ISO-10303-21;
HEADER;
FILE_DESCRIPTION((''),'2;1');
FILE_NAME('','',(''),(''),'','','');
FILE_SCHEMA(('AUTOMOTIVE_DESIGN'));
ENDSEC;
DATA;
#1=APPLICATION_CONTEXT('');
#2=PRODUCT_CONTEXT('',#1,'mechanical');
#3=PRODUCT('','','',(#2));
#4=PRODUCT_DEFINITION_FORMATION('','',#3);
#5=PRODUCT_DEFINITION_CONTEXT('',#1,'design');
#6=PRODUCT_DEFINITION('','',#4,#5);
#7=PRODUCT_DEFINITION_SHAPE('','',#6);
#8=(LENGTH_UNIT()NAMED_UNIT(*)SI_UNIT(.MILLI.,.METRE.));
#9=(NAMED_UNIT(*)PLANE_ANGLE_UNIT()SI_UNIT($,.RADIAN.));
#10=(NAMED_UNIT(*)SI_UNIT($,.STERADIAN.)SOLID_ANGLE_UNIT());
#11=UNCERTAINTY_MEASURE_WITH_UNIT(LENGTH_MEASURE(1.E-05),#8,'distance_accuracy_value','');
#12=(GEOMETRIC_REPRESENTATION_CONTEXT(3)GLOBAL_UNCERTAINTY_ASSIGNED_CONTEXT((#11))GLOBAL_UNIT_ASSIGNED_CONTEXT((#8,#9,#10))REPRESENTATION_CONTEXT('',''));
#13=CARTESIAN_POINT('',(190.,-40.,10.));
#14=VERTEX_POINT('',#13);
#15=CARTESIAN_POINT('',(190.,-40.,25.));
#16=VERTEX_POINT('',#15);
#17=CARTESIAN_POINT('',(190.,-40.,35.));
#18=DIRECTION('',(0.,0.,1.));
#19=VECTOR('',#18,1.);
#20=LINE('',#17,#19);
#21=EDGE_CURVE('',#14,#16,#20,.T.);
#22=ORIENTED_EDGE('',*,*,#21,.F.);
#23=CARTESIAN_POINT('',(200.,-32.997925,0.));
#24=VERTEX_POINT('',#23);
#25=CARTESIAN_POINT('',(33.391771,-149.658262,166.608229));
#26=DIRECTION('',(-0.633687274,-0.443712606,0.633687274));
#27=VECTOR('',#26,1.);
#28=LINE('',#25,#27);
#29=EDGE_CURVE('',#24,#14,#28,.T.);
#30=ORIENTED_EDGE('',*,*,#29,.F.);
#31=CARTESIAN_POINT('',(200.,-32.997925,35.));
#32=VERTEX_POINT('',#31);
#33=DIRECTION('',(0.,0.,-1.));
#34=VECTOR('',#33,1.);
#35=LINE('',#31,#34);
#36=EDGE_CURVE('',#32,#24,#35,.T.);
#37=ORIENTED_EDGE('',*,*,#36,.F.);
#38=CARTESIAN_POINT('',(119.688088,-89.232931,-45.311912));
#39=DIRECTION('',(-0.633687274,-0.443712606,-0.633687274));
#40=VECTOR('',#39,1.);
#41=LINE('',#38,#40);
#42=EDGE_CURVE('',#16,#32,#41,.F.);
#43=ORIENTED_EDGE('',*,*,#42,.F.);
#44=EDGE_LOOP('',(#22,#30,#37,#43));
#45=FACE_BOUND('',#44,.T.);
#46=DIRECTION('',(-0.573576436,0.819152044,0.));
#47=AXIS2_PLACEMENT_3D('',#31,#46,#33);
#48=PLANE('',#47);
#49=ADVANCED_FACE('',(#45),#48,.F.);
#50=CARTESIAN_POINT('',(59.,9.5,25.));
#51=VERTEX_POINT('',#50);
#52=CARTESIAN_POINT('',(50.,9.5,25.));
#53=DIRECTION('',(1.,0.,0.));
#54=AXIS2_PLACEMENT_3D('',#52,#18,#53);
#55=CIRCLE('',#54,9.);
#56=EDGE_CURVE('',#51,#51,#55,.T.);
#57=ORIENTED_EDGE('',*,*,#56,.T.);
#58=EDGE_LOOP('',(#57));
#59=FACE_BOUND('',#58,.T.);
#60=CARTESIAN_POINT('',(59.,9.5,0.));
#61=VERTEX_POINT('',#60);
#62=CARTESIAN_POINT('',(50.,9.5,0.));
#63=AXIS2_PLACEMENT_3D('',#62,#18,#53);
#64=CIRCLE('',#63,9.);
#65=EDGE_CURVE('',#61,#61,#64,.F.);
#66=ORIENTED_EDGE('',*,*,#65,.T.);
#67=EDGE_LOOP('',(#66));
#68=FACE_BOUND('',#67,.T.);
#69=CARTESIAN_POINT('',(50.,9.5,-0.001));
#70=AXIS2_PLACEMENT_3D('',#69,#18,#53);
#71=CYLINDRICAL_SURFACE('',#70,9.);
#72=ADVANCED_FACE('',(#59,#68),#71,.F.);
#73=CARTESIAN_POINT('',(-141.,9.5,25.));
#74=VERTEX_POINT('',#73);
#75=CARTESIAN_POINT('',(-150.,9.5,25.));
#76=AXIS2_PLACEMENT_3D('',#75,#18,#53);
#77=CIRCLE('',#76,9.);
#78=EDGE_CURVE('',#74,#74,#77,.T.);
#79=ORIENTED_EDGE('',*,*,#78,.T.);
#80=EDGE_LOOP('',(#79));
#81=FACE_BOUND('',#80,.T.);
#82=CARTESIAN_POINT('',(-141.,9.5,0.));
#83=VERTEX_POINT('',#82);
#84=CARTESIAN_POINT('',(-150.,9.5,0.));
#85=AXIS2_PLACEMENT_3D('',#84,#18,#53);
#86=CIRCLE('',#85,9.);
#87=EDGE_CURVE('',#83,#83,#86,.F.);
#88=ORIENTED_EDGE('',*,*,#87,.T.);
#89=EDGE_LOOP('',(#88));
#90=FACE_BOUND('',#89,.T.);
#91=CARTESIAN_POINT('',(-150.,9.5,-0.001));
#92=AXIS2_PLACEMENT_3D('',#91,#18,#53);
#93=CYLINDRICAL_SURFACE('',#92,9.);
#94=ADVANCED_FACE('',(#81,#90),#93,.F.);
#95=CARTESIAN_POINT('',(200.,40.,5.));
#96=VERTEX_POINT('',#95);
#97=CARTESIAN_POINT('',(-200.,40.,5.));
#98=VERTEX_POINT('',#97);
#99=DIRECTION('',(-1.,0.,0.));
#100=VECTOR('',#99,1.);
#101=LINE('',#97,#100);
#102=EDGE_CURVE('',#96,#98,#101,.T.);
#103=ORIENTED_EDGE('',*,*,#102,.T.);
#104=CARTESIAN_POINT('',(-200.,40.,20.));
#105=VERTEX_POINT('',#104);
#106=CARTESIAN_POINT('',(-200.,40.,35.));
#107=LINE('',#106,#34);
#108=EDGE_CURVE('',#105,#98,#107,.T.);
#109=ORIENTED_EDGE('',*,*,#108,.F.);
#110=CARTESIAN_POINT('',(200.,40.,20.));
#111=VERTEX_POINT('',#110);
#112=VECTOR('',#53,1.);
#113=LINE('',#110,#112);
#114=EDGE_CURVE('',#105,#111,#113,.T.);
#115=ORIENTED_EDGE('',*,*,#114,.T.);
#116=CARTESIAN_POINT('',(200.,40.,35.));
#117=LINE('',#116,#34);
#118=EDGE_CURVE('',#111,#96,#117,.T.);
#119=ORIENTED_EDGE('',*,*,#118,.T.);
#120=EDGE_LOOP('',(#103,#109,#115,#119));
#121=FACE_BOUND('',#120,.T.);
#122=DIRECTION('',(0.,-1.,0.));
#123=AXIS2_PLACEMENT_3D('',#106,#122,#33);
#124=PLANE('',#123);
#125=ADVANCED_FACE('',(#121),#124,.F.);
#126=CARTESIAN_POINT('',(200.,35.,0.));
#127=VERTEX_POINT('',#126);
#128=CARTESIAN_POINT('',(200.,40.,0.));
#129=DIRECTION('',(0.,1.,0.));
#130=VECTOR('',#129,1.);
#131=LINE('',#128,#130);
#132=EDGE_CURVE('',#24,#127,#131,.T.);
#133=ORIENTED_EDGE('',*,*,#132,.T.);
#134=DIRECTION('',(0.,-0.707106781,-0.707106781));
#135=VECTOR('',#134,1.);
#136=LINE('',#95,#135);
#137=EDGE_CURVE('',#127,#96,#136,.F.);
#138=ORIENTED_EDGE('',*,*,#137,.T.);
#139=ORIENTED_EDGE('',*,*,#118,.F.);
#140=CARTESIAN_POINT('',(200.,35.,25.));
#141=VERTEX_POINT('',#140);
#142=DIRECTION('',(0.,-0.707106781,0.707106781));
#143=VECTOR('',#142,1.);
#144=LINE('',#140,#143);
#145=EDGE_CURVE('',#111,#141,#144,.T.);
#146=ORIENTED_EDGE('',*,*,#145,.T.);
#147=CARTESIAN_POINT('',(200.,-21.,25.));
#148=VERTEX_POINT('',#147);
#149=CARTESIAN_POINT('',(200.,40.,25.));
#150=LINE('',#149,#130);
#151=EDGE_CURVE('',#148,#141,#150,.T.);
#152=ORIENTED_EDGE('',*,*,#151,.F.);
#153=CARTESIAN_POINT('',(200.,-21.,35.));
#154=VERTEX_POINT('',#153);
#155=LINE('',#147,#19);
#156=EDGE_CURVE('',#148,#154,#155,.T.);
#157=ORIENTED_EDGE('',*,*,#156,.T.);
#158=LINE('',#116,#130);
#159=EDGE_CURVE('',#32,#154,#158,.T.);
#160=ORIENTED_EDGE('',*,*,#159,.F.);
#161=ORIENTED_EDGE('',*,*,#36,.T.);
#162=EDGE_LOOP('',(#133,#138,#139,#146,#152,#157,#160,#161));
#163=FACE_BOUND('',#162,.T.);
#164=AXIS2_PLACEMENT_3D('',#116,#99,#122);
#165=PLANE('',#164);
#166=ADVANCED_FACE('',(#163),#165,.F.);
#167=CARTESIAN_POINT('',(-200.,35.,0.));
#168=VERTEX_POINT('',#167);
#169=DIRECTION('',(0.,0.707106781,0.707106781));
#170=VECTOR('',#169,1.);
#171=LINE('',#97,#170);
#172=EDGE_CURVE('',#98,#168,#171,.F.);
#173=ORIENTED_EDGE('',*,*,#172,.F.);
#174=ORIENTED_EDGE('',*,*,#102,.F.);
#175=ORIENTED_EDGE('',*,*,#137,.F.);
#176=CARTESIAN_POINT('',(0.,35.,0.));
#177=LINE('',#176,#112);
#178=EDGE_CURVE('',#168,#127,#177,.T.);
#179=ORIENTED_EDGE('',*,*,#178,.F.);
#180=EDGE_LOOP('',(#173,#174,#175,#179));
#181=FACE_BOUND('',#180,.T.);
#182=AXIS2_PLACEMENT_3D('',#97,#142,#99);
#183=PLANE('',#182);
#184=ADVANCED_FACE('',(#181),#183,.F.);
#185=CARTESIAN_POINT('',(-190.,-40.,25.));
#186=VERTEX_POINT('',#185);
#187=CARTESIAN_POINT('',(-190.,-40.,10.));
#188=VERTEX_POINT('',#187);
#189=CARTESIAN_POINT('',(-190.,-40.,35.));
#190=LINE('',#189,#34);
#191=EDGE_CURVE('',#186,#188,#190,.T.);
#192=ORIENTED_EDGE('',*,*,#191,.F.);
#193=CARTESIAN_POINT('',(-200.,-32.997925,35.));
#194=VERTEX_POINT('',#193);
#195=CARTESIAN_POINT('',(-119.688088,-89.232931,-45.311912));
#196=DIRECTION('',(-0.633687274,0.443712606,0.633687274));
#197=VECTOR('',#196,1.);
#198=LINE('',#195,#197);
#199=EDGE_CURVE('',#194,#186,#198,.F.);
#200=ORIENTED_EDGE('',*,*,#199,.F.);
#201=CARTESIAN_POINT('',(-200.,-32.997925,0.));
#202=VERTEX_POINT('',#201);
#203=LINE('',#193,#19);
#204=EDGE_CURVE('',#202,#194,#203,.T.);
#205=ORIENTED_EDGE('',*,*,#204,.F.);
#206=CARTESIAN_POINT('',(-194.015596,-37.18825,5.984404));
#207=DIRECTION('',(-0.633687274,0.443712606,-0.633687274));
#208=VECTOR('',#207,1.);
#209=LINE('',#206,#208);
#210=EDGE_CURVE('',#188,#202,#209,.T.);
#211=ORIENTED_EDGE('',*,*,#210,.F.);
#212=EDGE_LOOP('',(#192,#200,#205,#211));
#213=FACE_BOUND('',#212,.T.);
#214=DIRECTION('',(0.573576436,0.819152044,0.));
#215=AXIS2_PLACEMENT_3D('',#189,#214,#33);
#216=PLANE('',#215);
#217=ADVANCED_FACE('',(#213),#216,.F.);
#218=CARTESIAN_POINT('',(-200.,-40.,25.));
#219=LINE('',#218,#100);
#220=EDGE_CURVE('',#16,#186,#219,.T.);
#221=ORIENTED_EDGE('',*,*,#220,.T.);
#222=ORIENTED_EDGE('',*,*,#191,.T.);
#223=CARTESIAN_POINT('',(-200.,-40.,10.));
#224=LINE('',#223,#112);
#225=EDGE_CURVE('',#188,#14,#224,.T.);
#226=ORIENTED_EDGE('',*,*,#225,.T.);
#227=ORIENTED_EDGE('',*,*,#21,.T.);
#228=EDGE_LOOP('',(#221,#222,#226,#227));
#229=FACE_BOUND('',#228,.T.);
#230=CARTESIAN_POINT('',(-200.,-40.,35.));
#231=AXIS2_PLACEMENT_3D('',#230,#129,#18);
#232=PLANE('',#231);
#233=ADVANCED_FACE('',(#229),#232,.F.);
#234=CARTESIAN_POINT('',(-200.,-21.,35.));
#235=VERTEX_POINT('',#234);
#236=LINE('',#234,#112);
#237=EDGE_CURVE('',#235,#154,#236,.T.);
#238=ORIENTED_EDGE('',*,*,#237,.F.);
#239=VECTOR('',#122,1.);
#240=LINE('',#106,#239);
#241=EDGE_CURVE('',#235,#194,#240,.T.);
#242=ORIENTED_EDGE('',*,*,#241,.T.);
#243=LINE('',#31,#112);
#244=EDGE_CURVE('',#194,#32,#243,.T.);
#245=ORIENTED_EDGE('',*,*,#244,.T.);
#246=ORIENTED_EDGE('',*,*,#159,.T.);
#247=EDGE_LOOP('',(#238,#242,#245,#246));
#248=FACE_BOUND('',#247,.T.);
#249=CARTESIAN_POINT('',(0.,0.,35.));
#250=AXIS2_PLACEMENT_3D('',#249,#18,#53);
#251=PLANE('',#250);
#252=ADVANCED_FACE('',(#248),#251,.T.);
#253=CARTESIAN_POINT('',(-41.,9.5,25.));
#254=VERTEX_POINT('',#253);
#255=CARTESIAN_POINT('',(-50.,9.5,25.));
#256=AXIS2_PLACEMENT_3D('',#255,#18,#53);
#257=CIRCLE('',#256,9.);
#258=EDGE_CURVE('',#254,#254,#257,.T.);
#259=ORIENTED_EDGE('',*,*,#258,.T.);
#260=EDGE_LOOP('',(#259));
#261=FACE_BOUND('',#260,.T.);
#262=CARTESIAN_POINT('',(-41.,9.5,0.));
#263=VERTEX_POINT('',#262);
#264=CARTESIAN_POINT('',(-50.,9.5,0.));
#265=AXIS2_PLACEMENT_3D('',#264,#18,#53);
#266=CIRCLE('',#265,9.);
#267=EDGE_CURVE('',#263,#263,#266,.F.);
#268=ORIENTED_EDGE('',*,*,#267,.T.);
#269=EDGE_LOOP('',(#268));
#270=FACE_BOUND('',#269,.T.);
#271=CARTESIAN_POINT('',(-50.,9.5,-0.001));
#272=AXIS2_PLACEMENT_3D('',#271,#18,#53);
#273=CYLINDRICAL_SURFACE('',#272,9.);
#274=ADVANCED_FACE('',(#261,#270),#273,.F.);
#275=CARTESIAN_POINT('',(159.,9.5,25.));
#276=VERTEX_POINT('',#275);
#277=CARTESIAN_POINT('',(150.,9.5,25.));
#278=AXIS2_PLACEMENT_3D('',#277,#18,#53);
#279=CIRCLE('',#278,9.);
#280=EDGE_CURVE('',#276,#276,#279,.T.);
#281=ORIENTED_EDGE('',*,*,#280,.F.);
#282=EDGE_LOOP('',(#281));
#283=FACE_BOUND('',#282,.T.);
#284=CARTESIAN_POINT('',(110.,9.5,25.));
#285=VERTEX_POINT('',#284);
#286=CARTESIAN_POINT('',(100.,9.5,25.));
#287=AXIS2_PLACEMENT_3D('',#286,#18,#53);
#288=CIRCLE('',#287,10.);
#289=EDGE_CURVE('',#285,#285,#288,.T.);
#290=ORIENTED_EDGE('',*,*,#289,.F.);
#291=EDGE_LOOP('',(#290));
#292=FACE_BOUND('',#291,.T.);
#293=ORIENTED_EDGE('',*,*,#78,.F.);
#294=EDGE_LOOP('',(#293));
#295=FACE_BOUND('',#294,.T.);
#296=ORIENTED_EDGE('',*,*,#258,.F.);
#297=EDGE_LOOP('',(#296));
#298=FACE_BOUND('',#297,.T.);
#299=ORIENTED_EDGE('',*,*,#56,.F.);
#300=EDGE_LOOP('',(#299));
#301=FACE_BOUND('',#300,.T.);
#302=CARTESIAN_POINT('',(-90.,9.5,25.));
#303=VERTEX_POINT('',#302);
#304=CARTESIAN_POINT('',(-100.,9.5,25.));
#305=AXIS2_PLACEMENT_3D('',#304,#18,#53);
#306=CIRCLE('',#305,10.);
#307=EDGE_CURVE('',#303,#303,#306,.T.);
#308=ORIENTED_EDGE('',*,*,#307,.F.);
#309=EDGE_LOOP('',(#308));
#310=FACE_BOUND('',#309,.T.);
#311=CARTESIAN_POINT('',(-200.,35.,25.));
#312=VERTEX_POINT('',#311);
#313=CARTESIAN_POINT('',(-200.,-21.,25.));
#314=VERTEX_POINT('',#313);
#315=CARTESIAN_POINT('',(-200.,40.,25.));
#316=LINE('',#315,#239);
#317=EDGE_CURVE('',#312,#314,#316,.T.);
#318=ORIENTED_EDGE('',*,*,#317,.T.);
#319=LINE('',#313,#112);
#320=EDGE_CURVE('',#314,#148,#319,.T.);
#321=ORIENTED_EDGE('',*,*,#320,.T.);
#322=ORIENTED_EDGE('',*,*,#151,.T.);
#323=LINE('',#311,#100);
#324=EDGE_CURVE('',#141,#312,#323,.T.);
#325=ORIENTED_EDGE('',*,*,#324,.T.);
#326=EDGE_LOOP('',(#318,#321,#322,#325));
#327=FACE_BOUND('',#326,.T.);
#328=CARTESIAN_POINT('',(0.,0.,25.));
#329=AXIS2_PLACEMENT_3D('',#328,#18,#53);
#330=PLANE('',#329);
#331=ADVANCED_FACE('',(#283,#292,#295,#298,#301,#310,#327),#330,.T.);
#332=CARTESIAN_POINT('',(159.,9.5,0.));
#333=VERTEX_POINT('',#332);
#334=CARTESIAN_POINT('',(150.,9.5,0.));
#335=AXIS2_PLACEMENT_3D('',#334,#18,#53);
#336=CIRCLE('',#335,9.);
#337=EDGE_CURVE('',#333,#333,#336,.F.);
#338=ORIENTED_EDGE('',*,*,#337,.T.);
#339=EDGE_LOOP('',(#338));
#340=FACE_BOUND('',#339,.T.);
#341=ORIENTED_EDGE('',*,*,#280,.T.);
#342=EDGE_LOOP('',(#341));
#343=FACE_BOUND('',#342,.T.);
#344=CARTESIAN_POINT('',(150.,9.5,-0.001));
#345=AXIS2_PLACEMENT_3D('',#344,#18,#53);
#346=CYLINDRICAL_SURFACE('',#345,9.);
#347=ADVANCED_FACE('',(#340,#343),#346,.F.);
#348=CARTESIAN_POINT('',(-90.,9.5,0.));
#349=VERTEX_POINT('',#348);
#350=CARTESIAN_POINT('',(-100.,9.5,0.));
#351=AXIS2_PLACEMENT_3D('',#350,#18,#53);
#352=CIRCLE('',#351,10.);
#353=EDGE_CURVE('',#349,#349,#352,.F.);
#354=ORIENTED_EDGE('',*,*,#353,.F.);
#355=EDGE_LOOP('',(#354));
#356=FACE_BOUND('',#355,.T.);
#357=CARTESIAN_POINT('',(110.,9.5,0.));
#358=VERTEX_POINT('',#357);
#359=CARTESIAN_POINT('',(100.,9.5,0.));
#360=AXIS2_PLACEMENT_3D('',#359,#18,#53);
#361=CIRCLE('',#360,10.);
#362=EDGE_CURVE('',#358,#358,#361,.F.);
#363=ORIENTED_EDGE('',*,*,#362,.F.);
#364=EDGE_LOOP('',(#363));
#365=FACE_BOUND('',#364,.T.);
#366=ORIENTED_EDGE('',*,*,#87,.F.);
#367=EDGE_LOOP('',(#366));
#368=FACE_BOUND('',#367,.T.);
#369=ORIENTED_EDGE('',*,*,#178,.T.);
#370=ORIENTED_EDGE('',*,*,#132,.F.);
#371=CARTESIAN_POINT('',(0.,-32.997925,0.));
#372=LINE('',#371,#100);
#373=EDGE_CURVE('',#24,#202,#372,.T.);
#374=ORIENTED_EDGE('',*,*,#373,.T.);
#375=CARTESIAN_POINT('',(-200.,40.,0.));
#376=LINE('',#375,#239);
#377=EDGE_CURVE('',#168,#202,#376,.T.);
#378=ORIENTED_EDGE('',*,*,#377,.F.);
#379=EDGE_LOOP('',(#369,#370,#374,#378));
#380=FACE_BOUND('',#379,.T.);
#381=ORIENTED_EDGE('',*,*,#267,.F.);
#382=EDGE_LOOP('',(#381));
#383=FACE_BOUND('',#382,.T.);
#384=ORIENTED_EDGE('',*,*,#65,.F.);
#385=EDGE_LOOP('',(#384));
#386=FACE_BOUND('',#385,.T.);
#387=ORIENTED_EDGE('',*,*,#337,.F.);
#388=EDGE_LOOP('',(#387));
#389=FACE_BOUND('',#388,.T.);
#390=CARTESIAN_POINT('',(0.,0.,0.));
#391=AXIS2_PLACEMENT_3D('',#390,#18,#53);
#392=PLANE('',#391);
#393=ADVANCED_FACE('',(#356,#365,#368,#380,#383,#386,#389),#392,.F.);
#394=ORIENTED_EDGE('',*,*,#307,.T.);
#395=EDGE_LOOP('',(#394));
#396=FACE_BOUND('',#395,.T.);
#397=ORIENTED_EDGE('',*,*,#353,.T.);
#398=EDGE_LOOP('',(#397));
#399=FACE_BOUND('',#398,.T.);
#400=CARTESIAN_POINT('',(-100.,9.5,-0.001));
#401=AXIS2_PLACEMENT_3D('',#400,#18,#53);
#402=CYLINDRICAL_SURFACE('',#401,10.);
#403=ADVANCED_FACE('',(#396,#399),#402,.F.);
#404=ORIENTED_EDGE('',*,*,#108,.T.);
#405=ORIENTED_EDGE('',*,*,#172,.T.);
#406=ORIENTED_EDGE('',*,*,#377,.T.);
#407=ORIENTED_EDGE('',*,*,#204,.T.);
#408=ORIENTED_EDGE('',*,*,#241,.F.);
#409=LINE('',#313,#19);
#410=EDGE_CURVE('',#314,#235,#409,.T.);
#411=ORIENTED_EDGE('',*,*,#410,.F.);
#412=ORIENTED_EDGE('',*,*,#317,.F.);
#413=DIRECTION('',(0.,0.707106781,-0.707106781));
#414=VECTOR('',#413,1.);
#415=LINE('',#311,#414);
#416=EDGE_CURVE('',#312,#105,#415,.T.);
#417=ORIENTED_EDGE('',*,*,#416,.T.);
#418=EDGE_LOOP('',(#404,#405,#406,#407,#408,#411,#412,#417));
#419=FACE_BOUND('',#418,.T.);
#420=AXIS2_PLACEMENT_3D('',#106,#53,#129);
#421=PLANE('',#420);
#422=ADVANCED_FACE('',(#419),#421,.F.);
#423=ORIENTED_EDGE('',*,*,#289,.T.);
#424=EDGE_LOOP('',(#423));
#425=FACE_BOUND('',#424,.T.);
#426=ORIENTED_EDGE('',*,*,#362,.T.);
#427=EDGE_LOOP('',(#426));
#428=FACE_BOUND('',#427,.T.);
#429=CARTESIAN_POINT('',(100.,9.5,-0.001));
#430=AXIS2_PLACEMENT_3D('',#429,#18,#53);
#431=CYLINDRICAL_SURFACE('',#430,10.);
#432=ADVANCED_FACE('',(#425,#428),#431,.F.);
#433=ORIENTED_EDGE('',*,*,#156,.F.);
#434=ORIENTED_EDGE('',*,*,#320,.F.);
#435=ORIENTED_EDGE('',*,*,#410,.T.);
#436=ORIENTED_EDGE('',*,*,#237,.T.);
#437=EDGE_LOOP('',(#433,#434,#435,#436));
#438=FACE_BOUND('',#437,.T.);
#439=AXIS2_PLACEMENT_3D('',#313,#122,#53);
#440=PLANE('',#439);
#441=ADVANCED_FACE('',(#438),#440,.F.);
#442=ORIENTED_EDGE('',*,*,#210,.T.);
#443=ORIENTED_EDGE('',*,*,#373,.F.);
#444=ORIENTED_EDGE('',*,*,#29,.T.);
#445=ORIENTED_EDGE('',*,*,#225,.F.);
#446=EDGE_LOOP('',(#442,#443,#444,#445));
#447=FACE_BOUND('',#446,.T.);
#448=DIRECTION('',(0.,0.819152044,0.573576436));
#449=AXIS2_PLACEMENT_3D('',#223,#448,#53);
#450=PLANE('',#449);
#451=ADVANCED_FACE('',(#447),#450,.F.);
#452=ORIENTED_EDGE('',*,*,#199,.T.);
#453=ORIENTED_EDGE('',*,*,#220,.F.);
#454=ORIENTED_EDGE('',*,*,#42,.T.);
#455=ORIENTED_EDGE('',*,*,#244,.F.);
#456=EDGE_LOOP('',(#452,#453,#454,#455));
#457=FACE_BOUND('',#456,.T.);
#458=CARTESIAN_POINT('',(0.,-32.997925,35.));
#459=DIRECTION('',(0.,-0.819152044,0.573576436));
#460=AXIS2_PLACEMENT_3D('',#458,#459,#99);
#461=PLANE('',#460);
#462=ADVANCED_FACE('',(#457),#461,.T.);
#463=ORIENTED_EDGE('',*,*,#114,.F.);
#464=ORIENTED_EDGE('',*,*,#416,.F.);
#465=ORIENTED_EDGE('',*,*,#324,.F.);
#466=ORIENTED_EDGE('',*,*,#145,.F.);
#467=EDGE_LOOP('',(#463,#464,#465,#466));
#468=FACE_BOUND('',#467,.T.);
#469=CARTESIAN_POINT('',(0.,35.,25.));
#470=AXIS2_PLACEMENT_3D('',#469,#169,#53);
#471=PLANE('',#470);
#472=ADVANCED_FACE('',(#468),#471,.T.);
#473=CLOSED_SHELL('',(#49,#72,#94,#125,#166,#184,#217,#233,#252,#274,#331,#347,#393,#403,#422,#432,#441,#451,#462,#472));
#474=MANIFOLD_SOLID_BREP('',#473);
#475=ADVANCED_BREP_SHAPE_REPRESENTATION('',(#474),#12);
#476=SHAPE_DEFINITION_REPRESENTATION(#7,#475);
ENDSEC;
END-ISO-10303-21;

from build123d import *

# Parameters (mm, degrees)
SKETCH_1_W          = 400
SKETCH_1_H          = 80
EXTRUDE_1_DEPTH     = 35
SKETCH_2_W          = 400
SKETCH_2_H          = 61
CUT_EXTRUDE_1_DEPTH = 10
CHAMFER_1_SIZE      = 5
CHAMFER_2_SIZE      = 10
CHAMFER_2_SIZE2     = 7.002075382
CHAMFER_3_SIZE      = 10
CHAMFER_3_SIZE2     = 7.002075382
CHAMFER_4_SIZE      = 10
CHAMFER_4_SIZE2     = 7.002075382
CHAMFER_5_SIZE      = 10
CHAMFER_5_SIZE2     = 7.002075382
CUT_EXTRUDE_2_REACH = 207.487
SKETCH_3_R          = 9
SKETCH_3_R_2        = 10


with BuildPart() as part:
    # 草图1 → 凸台-拉伸1 (new body)
    with BuildSketch(Plane.XY):
        Rectangle(SKETCH_1_W, SKETCH_1_H)
    extrude(amount=EXTRUDE_1_DEPTH)

    # 草图2 → 切除-拉伸1 (cut)
    with BuildSketch(Plane.XY.offset(35)):
        with Locations((0, 9.5)):
            Rectangle(SKETCH_2_W, SKETCH_2_H)
    extrude(amount=-CUT_EXTRUDE_1_DEPTH, mode=Mode.SUBTRACT)

    # 倒角1
    chamfer_1_edges = [part.edges().sort_by_distance(p)[0] for p in [
        (0, 40, 25),
        (0, 40, 0),
    ]]
    chamfer(chamfer_1_edges, length=CHAMFER_1_SIZE)

    # 倒角2
    chamfer_2_edges = [part.edges().sort_by_distance(p)[0] for p in [
        (0, -40, 35),
    ]]
    chamfer_2_side = [part.faces().sort_by_distance(p)[0] for p in [
        (0, -40, 17.5),
    ]]
    chamfer(chamfer_2_edges, length=CHAMFER_2_SIZE, length2=CHAMFER_2_SIZE2, reference=chamfer_2_side[0])

    # 倒角3
    chamfer_3_edges = [part.edges().sort_by_distance(p)[0] for p in [
        (0, -40, 0),
    ]]
    chamfer_3_side = [part.faces().sort_by_distance(p)[0] for p in [
        (0, -40, 12.5),
    ]]
    chamfer(chamfer_3_edges, length=CHAMFER_3_SIZE, length2=CHAMFER_3_SIZE2, reference=chamfer_3_side[0])

    # 倒角4
    chamfer_4_edges = [part.edges().sort_by_distance(p)[0] for p in [
        (-200, -40, 17.5),
    ]]
    chamfer_4_side = [part.faces().sort_by_distance(p)[0] for p in [
        (0, -40, 17.5),
    ]]
    chamfer(chamfer_4_edges, length=CHAMFER_4_SIZE, length2=CHAMFER_4_SIZE2, reference=chamfer_4_side[0])

    # 倒角5
    chamfer_5_edges = [part.edges().sort_by_distance(p)[0] for p in [
        (200, -40, 17.5),
    ]]
    chamfer_5_side = [part.faces().sort_by_distance(p)[0] for p in [
        (5, -40, 17.5),
    ]]
    chamfer(chamfer_5_edges, length=CHAMFER_5_SIZE, length2=CHAMFER_5_SIZE2, reference=chamfer_5_side[0])

    # 草图3 → 切除-拉伸2 (cut, up to next)
    with BuildSketch(Plane.XY.offset(25), mode=Mode.PRIVATE) as cut_extrude_2_sk1:
        with Locations((-150, 9.5)):
            Circle(SKETCH_3_R)
    cut_extrude_2_tool1 = extrude(cut_extrude_2_sk1.sketch, amount=-CUT_EXTRUDE_2_REACH, mode=Mode.PRIVATE) & part.part
    # 草图3 → 切除-拉伸2 (cut, up to next)
    with BuildSketch(Plane.XY.offset(25), mode=Mode.PRIVATE) as cut_extrude_2_sk2:
        with Locations((-100, 9.5)):
            Circle(SKETCH_3_R_2)
    cut_extrude_2_tool2 = extrude(cut_extrude_2_sk2.sketch, amount=-CUT_EXTRUDE_2_REACH, mode=Mode.PRIVATE) & part.part
    # 草图3 → 切除-拉伸2 (cut, up to next)
    with BuildSketch(Plane.XY.offset(25), mode=Mode.PRIVATE) as cut_extrude_2_sk3:
        with Locations((-50, 9.5)):
            Circle(SKETCH_3_R)
    cut_extrude_2_tool3 = extrude(cut_extrude_2_sk3.sketch, amount=-CUT_EXTRUDE_2_REACH, mode=Mode.PRIVATE) & part.part
    # 草图3 → 切除-拉伸2 (cut, up to next)
    with BuildSketch(Plane.XY.offset(25), mode=Mode.PRIVATE) as cut_extrude_2_sk4:
        with Locations((50, 9.5)):
            Circle(SKETCH_3_R)
    cut_extrude_2_tool4 = extrude(cut_extrude_2_sk4.sketch, amount=-CUT_EXTRUDE_2_REACH, mode=Mode.PRIVATE) & part.part
    # 草图3 → 切除-拉伸2 (cut, up to next)
    with BuildSketch(Plane.XY.offset(25), mode=Mode.PRIVATE) as cut_extrude_2_sk5:
        with Locations((100, 9.5)):
            Circle(SKETCH_3_R_2)
    cut_extrude_2_tool5 = extrude(cut_extrude_2_sk5.sketch, amount=-CUT_EXTRUDE_2_REACH, mode=Mode.PRIVATE) & part.part
    # 草图3 → 切除-拉伸2 (cut, up to next)
    with BuildSketch(Plane.XY.offset(25), mode=Mode.PRIVATE) as cut_extrude_2_sk6:
        with Locations((150, 9.5)):
            Circle(SKETCH_3_R)
    cut_extrude_2_tool6 = extrude(cut_extrude_2_sk6.sketch, amount=-CUT_EXTRUDE_2_REACH, mode=Mode.PRIVATE) & part.part
    add(cut_extrude_2_tool1.solids().sort_by_distance((-150, 9.5, 25))[0], mode=Mode.SUBTRACT)
    add(cut_extrude_2_tool2.solids().sort_by_distance((-100, 9.5, 25))[0], mode=Mode.SUBTRACT)
    add(cut_extrude_2_tool3.solids().sort_by_distance((-50, 9.5, 25))[0], mode=Mode.SUBTRACT)
    add(cut_extrude_2_tool4.solids().sort_by_distance((50, 9.5, 25))[0], mode=Mode.SUBTRACT)
    add(cut_extrude_2_tool5.solids().sort_by_distance((100, 9.5, 25))[0], mode=Mode.SUBTRACT)
    add(cut_extrude_2_tool6.solids().sort_by_distance((150, 9.5, 25))[0], mode=Mode.SUBTRACT)


solid = part.part
